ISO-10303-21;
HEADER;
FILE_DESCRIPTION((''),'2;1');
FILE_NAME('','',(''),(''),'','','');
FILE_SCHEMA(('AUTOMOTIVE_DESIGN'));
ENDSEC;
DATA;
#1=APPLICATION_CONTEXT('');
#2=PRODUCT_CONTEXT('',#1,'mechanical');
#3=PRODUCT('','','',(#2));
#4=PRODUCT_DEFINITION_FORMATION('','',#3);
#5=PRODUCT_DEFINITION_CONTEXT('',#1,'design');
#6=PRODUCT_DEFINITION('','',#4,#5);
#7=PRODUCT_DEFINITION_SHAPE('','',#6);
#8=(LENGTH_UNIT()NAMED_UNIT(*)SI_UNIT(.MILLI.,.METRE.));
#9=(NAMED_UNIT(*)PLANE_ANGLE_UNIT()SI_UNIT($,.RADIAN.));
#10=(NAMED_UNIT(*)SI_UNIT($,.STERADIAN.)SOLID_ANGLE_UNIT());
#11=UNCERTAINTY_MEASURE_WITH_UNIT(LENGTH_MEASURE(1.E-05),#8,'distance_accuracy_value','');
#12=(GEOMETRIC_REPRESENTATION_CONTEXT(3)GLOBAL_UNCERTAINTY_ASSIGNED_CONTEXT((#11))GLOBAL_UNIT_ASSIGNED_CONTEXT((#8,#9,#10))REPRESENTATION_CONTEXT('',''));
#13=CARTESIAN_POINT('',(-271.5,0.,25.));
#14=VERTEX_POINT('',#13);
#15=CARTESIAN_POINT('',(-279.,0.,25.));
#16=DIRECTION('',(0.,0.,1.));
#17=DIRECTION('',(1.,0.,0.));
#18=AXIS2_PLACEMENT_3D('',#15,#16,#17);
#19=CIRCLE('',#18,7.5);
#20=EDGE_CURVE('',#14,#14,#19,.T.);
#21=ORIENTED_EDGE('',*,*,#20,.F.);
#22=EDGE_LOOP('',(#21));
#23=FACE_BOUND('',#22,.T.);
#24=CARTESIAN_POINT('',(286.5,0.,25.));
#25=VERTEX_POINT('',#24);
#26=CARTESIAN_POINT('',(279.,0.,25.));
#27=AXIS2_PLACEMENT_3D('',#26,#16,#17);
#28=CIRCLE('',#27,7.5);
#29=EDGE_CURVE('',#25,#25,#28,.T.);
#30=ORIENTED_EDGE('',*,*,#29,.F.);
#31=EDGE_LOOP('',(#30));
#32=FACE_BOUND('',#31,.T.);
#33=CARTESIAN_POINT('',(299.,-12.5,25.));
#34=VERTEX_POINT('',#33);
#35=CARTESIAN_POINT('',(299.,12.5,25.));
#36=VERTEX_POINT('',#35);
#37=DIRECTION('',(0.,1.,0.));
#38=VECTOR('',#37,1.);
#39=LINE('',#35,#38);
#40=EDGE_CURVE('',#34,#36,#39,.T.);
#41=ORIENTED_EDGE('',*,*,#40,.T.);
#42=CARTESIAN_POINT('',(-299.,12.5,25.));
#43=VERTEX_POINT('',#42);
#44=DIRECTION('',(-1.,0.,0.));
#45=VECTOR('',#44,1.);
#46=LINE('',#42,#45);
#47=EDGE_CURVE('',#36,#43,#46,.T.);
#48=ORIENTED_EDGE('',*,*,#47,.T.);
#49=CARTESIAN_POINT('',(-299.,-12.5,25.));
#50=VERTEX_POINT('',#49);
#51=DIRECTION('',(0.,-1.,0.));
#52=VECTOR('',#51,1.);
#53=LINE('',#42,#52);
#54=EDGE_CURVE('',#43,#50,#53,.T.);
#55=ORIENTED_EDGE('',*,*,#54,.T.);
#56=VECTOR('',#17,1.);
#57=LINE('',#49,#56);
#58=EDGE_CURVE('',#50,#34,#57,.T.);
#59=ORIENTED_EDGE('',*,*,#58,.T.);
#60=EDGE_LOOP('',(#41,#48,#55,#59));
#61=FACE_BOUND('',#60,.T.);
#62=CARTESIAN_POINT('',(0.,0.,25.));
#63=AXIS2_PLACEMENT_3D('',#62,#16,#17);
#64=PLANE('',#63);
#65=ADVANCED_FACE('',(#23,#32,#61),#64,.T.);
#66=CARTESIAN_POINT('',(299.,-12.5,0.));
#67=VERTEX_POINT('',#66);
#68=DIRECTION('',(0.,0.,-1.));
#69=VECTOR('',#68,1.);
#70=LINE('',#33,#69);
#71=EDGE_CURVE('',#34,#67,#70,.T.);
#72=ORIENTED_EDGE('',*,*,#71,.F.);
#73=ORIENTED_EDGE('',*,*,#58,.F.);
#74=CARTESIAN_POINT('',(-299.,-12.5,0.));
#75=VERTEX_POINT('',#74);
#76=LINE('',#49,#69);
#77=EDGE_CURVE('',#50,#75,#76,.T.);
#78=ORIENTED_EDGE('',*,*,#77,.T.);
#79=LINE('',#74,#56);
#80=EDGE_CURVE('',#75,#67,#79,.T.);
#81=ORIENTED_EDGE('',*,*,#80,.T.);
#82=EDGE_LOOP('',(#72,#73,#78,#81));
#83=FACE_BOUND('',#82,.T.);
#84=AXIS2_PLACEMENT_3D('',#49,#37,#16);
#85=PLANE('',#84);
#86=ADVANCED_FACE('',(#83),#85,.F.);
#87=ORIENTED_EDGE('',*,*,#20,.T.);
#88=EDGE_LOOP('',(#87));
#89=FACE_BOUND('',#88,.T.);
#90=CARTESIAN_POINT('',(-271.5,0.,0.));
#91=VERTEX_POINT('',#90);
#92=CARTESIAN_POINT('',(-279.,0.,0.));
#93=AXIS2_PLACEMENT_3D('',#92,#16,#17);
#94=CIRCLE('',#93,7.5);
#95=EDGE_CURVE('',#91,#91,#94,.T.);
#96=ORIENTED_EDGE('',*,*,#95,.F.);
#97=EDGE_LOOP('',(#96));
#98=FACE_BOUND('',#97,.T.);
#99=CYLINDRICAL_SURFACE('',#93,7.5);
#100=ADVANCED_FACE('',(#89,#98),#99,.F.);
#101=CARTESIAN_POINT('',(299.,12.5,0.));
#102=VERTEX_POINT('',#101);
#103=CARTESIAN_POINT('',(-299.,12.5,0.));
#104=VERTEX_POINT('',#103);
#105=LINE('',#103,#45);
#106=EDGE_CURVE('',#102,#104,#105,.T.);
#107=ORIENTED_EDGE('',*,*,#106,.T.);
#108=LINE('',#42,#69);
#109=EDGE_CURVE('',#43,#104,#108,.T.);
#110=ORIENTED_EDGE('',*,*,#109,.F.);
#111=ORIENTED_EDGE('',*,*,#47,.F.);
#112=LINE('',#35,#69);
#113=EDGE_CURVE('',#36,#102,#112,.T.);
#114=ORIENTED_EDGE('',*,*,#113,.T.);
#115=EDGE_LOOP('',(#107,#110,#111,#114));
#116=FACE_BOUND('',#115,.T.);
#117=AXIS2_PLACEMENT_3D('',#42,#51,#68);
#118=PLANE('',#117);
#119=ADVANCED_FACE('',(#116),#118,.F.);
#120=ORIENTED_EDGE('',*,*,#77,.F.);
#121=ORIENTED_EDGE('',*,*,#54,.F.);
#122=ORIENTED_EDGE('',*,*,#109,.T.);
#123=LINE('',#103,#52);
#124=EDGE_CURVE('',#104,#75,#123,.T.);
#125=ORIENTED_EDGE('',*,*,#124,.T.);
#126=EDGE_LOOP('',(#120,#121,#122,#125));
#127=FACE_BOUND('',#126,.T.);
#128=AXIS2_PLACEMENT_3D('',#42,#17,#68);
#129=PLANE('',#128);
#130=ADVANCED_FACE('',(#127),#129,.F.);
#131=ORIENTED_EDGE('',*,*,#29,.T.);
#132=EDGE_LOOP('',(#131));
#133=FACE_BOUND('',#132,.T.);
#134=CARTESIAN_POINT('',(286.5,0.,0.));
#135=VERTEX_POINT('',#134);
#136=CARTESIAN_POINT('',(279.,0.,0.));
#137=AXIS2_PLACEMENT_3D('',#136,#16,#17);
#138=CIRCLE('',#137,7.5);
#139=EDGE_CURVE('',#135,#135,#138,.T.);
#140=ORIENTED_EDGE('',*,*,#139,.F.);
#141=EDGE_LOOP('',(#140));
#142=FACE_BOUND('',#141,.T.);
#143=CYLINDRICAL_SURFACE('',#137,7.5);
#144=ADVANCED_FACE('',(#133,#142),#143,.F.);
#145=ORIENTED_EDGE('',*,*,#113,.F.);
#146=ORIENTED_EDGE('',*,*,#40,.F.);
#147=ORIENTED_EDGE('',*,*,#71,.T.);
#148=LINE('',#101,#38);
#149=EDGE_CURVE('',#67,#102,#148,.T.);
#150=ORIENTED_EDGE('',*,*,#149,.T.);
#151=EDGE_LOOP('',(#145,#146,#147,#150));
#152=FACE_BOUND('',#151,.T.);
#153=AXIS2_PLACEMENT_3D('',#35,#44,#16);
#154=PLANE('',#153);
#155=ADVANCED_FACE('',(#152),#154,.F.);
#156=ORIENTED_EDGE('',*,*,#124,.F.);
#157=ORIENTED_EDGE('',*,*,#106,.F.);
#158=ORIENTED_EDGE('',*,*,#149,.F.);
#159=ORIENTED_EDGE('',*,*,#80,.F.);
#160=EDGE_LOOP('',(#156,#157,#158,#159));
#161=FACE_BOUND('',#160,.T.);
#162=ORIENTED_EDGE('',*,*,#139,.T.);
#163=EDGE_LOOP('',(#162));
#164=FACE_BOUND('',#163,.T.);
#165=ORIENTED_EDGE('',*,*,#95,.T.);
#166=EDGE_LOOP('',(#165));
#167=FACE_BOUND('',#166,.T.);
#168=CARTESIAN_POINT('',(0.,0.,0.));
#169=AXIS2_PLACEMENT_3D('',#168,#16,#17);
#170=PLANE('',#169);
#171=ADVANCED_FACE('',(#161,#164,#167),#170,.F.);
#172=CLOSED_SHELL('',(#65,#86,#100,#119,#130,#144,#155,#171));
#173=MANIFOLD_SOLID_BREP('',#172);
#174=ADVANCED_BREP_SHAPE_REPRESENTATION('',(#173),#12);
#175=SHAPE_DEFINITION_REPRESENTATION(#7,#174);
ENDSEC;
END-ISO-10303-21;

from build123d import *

# Parameters (mm, degrees)
SKETCH1_W               = 598
SKETCH1_H               = 25
BOSS_EXTRUDE1_DEPTH     = 25
CUT_EXTRUDE1_DEPTH      = 301.303596382
CUT_EXTRUDE1_DEPTH_BACK = 301.303596382
SKETCH2_R               = 7.5


with BuildPart() as part:
    # Sketch1 → Boss-Extrude1 (new body)
    with BuildSketch(Plane.XY):
        Rectangle(SKETCH1_W, SKETCH1_H)
    extrude(amount=BOSS_EXTRUDE1_DEPTH)

    # Sketch2 → Cut-Extrude1 (cut, two sides: drawn at the far end of the back side and taken through both)
    with BuildSketch(Plane.XY.offset(25).offset(-CUT_EXTRUDE1_DEPTH_BACK)):
        with Locations((-279, 0)):
            Circle(SKETCH2_R)
        with Locations((279, 0)):
            Circle(SKETCH2_R)
    extrude(amount=CUT_EXTRUDE1_DEPTH + CUT_EXTRUDE1_DEPTH_BACK, mode=Mode.SUBTRACT)


solid = part.part
